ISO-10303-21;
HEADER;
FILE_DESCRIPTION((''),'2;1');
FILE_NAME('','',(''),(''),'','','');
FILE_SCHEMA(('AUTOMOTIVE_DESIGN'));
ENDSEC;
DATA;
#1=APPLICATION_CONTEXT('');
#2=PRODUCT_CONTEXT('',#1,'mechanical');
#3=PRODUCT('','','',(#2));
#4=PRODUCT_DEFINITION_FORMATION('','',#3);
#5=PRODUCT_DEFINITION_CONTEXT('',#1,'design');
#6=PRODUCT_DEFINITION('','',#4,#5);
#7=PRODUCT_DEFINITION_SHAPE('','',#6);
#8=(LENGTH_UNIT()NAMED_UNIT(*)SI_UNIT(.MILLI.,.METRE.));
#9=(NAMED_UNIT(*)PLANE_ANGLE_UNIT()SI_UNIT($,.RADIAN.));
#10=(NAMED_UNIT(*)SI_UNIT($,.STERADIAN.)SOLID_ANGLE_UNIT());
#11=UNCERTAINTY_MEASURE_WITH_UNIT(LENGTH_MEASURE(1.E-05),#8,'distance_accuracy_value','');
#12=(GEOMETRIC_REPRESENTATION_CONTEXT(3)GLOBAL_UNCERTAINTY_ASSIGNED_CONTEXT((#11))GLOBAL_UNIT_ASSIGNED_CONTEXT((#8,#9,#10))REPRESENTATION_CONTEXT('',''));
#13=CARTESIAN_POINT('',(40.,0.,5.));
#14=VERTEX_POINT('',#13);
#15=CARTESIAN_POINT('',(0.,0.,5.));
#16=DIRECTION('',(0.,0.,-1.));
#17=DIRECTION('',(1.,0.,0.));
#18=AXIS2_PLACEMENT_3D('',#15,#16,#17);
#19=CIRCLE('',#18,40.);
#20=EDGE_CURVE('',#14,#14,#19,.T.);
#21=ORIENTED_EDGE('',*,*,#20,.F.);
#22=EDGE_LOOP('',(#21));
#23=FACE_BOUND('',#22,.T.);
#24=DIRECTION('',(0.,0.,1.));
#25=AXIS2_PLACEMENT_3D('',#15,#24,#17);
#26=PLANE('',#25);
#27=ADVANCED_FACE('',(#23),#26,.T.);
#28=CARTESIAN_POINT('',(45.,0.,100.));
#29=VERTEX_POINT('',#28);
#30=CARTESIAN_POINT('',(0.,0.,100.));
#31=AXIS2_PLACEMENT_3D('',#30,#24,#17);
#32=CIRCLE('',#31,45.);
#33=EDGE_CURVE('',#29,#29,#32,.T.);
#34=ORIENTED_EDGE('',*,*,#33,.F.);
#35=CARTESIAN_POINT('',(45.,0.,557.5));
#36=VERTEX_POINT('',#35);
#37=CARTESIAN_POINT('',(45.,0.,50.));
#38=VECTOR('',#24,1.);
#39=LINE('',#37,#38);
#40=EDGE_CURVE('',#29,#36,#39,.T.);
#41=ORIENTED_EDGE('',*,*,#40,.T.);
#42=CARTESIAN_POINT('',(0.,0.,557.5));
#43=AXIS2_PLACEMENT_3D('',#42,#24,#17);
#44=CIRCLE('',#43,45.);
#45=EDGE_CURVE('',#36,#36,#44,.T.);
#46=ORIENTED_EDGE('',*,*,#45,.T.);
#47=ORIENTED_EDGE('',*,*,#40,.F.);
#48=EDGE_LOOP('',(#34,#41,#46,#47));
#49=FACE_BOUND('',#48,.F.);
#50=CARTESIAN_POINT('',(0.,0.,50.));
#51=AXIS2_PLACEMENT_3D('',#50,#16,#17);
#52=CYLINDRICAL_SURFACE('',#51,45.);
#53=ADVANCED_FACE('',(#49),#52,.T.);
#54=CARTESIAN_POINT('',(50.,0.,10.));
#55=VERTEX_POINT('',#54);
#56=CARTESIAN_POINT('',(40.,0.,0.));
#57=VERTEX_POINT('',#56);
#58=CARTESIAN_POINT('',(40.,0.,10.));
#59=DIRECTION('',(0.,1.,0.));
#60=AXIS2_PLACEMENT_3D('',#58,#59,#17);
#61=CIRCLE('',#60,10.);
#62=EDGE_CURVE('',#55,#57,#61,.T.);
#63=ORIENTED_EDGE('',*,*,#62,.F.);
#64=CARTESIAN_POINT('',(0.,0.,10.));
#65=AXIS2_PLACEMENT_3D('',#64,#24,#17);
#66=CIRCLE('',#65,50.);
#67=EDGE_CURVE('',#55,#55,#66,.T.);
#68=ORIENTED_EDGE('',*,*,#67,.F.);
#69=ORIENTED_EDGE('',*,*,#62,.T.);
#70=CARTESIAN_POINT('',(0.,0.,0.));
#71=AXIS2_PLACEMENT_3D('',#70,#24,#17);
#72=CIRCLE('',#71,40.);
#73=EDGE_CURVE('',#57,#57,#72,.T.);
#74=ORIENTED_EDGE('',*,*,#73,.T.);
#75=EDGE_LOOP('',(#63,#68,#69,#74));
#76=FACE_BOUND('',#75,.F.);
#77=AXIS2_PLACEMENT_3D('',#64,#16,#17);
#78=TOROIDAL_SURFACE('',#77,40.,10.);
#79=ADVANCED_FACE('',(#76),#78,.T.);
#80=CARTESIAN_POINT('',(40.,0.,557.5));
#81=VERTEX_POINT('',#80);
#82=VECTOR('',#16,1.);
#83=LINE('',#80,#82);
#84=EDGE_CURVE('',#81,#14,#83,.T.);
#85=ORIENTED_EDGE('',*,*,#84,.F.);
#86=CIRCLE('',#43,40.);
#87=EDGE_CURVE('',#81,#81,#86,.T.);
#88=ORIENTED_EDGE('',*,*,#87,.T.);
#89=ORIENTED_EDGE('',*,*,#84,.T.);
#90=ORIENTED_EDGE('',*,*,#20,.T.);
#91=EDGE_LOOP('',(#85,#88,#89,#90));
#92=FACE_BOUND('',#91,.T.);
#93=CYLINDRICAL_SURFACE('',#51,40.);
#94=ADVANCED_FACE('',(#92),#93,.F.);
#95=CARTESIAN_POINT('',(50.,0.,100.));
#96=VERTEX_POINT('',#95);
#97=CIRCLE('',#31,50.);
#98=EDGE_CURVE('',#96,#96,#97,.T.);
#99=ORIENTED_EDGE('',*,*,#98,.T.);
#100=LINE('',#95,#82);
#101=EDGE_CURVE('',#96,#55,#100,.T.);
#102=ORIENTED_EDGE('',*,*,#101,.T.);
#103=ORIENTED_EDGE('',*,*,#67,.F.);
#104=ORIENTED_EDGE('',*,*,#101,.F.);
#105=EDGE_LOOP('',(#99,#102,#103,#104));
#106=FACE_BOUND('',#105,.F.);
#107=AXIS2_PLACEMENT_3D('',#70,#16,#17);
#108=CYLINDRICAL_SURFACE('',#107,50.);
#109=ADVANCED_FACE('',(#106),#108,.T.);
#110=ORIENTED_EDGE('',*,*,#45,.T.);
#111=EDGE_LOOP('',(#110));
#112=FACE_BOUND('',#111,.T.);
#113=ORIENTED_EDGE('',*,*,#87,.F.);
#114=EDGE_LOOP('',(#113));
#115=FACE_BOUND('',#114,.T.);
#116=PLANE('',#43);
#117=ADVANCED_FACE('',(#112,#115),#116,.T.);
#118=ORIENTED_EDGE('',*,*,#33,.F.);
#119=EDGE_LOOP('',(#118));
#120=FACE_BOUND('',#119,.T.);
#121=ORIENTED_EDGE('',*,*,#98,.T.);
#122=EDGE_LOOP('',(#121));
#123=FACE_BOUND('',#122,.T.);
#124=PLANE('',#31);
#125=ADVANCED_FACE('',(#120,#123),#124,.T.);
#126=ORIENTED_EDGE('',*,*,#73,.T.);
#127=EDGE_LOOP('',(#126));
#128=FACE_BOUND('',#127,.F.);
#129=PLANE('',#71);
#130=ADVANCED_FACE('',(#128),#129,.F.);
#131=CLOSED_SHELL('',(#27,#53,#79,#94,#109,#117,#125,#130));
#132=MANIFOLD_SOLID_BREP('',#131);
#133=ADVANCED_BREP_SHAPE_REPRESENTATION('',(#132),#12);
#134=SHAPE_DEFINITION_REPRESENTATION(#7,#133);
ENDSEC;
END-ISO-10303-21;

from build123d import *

# Parameters (mm, degrees)
F0_R     = 45
F0_R_2   = 40
F1_DEPTH = 50
F0_R_3   = 50
F2_DEPTH = 100
F3_DEPTH = 5
F4_R     = 10
F5_DEPTH = 507.5


with BuildPart() as f1:
    # F0 (on Top) → F1 (new body)
    with BuildSketch(Plane.XY):
        Circle(F0_R)
        Circle(F0_R_2, mode=Mode.SUBTRACT)
    extrude(amount=F1_DEPTH)

    # F0 (on Top) → F2 (join)
    with BuildSketch(Plane.XY):
        Circle(F0_R_3)
        Circle(F0_R, mode=Mode.SUBTRACT)
    extrude(amount=F2_DEPTH)

    # F0 (on Top) → F3 (join)
    with BuildSketch(Plane.XY):
        Circle(F0_R_3)
        Circle(F0_R, mode=Mode.SUBTRACT)
        Circle(F0_R)
        Circle(F0_R_2, mode=Mode.SUBTRACT)
        Circle(F0_R_2)
    extrude(amount=F3_DEPTH)

    # F4
    f4_edges = [f1.edges().sort_by_distance(p)[0] for p in [
        (-50, 0, 0),
    ]]
    fillet(f4_edges, radius=F4_R)

    # F5 (add): a face of the model
    f5_faces = [f1.faces().sort_by_distance(p)[0] for p in [
        (-43.7272077939, 0, 50),
    ]]
    extrude(f5_faces, amount=F5_DEPTH)


solid = f1.part
